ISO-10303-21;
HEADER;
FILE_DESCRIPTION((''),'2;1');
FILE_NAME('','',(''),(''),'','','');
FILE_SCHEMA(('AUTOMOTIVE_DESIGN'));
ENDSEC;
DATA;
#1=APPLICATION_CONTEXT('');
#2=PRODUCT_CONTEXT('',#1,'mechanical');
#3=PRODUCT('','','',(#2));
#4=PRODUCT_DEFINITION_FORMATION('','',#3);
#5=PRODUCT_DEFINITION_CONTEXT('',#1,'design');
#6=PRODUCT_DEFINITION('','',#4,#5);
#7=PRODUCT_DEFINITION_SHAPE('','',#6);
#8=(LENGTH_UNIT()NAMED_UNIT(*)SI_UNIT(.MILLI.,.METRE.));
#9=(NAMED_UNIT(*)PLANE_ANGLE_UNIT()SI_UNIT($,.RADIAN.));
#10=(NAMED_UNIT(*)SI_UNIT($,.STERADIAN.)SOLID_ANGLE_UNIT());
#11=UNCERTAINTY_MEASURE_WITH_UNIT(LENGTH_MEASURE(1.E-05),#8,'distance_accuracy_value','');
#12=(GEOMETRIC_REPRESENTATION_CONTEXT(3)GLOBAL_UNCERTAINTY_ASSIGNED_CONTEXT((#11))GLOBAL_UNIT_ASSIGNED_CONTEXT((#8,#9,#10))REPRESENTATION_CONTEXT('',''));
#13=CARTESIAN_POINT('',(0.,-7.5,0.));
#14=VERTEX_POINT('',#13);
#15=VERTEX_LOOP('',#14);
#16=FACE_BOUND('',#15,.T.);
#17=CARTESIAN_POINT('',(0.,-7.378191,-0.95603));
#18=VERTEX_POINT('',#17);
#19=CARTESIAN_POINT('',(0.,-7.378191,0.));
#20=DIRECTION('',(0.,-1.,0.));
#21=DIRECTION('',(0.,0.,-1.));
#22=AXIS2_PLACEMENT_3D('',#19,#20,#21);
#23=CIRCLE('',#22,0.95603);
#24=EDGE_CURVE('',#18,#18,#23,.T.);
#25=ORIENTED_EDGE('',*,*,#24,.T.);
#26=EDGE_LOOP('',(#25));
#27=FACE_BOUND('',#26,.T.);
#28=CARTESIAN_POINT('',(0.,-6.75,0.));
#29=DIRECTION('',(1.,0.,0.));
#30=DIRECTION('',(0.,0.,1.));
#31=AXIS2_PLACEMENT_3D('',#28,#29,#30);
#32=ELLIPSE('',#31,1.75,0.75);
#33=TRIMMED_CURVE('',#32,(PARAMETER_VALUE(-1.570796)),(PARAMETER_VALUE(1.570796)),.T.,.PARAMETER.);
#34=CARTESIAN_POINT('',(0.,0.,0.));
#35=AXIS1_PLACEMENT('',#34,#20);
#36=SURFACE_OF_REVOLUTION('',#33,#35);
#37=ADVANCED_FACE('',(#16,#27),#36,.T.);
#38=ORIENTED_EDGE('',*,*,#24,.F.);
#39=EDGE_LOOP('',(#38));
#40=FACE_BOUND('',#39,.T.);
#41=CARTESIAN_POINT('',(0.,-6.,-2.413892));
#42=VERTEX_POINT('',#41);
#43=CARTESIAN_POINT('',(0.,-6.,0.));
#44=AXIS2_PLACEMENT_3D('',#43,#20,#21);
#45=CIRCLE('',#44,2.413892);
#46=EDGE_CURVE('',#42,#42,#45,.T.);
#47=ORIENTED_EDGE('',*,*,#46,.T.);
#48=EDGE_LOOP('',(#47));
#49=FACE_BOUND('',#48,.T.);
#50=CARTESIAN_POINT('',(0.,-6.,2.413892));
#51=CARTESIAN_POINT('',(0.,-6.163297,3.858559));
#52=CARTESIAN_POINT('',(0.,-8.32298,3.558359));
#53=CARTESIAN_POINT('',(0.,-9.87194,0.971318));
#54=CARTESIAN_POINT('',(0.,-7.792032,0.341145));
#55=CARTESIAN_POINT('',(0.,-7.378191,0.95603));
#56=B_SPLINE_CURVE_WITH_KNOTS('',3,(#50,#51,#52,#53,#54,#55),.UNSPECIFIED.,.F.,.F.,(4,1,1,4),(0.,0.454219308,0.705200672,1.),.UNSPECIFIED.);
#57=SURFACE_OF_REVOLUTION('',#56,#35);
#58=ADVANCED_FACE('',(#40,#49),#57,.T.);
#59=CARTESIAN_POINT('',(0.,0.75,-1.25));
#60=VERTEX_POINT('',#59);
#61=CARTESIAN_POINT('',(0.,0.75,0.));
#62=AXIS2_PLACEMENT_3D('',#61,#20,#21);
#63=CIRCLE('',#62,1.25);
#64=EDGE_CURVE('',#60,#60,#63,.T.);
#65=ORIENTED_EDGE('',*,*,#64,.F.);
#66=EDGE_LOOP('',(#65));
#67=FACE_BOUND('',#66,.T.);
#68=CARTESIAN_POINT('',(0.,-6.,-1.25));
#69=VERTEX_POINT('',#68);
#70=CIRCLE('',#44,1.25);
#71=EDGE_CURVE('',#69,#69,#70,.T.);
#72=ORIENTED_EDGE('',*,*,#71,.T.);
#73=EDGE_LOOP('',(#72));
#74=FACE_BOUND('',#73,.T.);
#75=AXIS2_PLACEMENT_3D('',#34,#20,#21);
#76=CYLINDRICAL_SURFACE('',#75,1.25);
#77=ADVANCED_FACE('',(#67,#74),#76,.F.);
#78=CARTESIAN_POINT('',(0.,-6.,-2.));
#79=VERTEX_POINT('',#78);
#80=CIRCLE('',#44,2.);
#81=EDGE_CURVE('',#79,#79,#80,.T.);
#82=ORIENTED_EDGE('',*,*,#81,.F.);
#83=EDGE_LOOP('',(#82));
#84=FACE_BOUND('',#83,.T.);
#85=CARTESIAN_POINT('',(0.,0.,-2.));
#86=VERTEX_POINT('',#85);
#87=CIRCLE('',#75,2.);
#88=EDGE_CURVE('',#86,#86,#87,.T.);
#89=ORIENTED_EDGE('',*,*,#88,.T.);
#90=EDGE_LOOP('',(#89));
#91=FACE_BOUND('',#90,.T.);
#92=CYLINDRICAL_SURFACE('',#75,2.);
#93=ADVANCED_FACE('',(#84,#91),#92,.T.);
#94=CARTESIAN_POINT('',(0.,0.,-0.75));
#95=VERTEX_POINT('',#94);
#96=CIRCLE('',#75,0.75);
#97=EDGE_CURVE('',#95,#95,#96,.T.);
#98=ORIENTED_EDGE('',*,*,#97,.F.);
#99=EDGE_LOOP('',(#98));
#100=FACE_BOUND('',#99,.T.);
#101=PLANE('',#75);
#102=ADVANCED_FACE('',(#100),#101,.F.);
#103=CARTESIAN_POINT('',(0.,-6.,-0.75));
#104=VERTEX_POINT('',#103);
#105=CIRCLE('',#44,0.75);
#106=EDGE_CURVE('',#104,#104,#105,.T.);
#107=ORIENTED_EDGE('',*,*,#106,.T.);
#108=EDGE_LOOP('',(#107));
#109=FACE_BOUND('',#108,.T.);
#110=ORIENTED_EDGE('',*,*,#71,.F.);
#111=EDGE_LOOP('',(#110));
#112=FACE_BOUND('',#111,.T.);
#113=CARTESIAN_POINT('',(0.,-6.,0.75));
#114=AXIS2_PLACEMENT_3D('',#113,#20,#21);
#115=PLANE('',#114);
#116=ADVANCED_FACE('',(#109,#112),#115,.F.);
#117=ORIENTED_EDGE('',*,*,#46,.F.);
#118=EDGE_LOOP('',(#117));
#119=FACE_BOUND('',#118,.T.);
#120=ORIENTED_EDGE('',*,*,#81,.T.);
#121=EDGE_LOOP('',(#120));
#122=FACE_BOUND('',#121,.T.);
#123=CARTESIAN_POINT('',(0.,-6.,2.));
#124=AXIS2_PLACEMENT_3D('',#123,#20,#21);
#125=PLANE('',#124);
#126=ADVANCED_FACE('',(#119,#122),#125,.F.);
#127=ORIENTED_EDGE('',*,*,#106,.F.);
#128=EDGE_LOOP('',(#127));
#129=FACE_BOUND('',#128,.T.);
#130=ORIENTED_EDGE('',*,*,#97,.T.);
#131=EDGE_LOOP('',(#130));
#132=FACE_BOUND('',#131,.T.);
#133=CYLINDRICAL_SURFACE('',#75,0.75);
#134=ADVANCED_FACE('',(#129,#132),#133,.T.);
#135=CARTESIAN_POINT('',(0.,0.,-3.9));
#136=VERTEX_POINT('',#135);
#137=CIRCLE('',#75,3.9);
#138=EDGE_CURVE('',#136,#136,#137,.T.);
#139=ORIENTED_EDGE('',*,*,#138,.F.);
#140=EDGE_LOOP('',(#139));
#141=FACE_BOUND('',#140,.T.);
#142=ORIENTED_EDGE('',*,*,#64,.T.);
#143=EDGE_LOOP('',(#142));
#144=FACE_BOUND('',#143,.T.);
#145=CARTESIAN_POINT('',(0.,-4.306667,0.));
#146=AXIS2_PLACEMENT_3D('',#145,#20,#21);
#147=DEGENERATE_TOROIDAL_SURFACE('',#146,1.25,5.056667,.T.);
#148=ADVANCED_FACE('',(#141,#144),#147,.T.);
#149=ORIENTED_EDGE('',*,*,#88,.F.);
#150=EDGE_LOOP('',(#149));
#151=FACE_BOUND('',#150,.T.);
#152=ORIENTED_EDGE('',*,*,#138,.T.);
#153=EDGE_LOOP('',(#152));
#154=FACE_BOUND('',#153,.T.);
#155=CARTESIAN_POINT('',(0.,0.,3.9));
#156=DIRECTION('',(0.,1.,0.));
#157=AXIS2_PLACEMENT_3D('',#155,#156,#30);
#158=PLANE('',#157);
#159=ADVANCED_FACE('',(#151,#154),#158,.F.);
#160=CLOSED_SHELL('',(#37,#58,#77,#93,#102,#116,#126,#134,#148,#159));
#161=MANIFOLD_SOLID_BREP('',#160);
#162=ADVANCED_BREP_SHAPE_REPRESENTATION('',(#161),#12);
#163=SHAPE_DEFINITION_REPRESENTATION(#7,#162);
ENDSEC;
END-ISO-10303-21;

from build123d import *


with BuildPart() as part:
    # Szkic1 → Obrót1 (revolve)
    with BuildSketch(Plane(origin=(0, 0, 0), x_dir=(0, 0, -1), z_dir=(1, 0, 0)), mode=Mode.PRIVATE) as obr_t1_sk:
        with BuildLine():
            Line((0, 0), (0, -6))
            Line((0, -6), (0, -7.5))
            add(Edge.make_bspline(
                [(-0.956030427, -7.378190671), (-0.520263876, -7.5), (0, -7.5)],
                knots=[0.992852221, 0.992852221, 0.992852221, 1.570796327, 1.570796327, 1.570796327], degree=2, weights=[1, 0.958537313, 1]))
            add(Edge.make_bspline(
                [(-2.413891755, -6), (-3.858559437, -6.163296686), (-3.558358928, -8.322980362), (-0.971318098, -9.871940016), (-0.341145137, -7.79203191), (-0.956030427, -7.378190671)],
                knots=[0, 0, 0, 0, 0.454219308, 0.705200672, 1, 1, 1, 1], degree=3))
            Line((-2.413891755, -6), (-2, -6))
            Line((-2, -6), (-2, 0))
            Line((-2, 0), (-3.9, 0))
            ThreePointArc((-3.9, 0), (-2.627043935, 0.558888572), (-1.25, 0.75))
            Line((-1.25, 0.75), (-1.25, -6))
            Line((-1.25, -6), (-0.75, -6))
            Line((-0.75, -6), (-0.75, 0))
            Line((-0.75, 0), (0, 0))
        make_face()
    revolve(obr_t1_sk.sketch.rotate(Axis((0, 0, 0), (0, 1, 0)), 180), axis=Axis((0, 0, 0), (0, 1, 0)))


solid = part.part
